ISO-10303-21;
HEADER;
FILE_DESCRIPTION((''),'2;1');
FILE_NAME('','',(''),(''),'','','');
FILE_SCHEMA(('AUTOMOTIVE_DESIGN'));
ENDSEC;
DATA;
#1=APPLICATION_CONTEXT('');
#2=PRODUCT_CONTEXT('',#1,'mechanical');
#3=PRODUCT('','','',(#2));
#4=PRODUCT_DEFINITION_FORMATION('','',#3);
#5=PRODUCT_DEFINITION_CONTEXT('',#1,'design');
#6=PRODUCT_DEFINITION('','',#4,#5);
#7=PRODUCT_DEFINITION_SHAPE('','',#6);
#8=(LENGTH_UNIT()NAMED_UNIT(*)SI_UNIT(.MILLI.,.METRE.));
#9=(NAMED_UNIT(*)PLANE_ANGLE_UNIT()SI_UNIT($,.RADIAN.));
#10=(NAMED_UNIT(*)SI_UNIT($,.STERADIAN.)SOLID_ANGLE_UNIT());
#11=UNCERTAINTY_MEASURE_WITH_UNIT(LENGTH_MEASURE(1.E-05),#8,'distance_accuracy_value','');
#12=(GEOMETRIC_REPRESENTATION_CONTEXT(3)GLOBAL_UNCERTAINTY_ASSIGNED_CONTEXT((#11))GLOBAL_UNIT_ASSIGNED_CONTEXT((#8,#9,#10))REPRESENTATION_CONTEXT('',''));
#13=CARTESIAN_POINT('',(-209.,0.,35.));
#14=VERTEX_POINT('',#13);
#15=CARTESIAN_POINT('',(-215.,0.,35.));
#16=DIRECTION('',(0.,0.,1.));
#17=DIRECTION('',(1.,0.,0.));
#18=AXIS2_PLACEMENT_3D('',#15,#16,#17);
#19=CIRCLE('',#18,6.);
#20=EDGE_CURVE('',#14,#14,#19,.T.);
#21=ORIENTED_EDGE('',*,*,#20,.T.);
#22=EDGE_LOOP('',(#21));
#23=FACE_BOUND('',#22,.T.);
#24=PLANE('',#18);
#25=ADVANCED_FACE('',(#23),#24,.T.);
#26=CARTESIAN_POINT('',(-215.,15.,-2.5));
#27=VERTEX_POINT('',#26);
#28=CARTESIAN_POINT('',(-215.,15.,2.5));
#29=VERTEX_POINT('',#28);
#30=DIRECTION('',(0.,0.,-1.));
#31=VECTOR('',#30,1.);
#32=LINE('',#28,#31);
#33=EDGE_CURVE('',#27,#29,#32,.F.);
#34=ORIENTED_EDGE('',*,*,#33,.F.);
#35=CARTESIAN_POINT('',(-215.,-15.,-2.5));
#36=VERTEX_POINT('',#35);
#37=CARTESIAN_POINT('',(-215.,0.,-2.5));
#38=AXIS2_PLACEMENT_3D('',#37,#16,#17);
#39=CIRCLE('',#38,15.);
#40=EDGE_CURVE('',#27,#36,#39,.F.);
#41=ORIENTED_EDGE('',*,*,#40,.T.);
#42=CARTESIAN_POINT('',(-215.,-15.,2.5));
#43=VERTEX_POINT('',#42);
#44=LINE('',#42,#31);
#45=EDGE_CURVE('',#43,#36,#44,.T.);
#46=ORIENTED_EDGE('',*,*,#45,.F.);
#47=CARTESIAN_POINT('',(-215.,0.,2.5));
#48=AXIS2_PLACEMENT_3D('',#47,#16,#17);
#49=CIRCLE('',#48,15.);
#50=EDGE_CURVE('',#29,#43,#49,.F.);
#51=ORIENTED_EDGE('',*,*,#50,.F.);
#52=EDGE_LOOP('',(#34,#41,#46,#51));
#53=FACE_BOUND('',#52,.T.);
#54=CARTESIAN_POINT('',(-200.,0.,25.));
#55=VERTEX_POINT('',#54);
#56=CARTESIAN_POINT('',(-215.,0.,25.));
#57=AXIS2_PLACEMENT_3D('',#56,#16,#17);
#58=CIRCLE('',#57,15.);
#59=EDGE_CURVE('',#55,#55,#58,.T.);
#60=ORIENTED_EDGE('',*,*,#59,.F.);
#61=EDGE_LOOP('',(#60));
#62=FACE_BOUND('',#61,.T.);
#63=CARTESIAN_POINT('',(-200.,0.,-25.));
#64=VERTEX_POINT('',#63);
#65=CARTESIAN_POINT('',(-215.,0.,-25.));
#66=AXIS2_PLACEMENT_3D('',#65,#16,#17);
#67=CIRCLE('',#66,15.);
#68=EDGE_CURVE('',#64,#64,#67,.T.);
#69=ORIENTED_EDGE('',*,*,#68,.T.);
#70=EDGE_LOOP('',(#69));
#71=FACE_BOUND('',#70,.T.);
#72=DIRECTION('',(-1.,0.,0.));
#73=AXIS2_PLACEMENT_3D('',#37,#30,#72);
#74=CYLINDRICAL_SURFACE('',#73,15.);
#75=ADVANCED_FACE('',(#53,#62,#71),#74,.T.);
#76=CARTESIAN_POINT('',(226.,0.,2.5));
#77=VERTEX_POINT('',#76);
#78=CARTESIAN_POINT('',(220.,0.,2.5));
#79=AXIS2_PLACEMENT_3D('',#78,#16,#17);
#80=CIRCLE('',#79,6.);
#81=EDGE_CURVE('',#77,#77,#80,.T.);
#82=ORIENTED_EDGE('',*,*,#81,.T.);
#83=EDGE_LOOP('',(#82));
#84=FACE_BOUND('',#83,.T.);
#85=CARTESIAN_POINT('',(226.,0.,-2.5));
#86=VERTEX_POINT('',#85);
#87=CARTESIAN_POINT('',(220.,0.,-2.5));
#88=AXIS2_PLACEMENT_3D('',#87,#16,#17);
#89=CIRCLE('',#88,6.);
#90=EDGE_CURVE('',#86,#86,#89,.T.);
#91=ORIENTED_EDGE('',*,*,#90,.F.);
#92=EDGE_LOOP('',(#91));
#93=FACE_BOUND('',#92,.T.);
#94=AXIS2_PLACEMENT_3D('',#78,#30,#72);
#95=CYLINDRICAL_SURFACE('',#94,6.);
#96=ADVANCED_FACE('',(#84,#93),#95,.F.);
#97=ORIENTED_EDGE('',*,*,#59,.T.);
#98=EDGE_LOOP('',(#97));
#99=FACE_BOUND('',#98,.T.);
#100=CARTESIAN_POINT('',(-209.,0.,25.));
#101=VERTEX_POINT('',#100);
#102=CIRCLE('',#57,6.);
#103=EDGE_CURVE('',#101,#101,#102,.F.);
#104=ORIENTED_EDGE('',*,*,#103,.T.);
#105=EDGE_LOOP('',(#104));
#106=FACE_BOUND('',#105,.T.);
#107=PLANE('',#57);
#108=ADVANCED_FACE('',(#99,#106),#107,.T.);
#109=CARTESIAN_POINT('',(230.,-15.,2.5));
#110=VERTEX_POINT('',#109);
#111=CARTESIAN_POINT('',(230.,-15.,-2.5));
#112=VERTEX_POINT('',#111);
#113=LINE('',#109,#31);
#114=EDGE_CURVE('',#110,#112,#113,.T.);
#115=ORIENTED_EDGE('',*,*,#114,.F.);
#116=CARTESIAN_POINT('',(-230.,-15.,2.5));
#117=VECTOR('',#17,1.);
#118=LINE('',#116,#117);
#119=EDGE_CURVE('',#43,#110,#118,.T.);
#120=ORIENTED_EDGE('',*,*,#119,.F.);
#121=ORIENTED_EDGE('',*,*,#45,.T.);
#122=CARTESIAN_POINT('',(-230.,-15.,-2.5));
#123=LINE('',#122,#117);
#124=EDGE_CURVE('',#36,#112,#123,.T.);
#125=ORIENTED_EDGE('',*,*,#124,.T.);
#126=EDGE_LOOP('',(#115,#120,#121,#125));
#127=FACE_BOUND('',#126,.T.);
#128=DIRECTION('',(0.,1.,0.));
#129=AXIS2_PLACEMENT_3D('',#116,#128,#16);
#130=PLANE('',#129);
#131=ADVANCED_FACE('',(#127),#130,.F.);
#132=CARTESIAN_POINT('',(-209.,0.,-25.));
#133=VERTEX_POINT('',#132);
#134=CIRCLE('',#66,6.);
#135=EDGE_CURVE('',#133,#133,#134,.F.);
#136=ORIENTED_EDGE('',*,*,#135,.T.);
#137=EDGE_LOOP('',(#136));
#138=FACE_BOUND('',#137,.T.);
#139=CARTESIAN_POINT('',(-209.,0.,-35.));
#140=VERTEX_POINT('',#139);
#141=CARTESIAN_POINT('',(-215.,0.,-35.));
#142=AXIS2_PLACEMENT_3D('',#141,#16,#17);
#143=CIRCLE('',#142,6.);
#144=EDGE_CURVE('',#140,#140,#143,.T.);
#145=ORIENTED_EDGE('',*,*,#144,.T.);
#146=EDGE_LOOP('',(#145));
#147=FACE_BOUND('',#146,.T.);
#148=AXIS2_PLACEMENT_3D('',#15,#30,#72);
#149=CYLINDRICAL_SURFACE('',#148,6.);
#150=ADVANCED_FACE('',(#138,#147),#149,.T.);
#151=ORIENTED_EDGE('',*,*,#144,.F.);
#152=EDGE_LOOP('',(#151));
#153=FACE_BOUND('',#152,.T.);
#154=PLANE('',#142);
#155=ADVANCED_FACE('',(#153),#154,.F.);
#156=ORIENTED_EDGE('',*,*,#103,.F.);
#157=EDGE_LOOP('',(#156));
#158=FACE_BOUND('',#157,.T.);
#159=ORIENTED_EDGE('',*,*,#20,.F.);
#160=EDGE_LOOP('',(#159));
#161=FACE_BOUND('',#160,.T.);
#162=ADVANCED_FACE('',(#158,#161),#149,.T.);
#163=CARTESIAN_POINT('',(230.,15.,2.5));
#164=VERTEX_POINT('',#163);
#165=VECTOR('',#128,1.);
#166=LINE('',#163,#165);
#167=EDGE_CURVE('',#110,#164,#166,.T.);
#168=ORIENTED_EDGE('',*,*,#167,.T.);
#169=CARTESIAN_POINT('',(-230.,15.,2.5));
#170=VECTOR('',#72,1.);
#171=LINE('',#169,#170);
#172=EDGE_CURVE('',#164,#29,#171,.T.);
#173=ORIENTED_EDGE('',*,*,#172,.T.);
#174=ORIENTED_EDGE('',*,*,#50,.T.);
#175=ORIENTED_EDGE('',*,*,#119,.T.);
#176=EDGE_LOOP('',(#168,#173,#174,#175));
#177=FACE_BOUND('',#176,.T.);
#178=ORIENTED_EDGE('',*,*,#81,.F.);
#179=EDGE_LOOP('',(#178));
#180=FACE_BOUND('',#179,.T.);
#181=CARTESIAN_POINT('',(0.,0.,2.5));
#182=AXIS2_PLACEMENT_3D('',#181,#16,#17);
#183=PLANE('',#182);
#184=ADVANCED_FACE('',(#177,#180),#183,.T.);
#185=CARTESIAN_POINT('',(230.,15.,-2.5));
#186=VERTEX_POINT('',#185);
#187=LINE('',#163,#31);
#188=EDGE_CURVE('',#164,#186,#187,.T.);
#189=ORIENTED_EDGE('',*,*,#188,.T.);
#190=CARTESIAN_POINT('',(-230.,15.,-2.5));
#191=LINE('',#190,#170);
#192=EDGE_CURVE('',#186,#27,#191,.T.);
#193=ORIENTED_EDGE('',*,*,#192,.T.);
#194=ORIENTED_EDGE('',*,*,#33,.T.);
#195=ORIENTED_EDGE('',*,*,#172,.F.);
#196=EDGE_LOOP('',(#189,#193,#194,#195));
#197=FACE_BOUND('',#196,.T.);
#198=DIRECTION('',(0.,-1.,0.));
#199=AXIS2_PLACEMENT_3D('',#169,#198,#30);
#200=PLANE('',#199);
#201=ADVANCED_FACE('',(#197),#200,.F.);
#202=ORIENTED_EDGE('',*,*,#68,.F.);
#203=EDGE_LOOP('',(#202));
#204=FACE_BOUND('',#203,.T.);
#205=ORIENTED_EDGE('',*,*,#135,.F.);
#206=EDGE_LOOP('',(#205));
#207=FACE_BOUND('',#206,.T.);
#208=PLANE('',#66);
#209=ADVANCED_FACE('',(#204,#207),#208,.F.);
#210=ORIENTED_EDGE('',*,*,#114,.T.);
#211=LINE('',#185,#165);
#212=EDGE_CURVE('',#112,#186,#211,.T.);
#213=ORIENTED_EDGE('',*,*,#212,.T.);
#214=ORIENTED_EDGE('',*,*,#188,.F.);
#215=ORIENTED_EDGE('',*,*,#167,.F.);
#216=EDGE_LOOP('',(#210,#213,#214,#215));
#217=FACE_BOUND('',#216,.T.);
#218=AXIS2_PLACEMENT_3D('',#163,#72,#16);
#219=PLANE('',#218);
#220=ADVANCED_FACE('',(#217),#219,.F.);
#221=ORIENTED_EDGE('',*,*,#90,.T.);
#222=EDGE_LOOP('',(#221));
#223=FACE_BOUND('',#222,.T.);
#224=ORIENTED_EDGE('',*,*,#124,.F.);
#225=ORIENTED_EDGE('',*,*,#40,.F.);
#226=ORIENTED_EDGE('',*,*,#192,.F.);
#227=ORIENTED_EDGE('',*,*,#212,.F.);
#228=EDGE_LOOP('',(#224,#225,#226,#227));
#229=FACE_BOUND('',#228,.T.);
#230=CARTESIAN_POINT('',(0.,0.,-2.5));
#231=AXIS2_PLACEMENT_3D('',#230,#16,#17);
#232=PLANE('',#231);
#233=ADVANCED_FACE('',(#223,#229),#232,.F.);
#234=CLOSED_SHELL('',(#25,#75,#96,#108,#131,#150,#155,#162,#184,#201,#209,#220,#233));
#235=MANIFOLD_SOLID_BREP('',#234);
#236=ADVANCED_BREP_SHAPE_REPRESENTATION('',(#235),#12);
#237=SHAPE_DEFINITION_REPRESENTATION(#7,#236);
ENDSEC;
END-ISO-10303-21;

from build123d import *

# Parameters (mm, degrees)
SKETCH_1_W      = 460
SKETCH_1_H      = 30
SKETCH_1_R      = 6
EXTRUDE_1_DEPTH = 2.5
FILLET_1_RADIUS = 15
FILLET_1_LENGTH = 5
SKETCH_3_R      = 15
EXTRUDE_2_DEPTH = 25
SKETCH_4_R      = 6
EXTRUDE_3_DEPTH = 35


with BuildPart() as part:
    # 草图1 → 凸台-拉伸1 (new, symmetric)
    with BuildSketch(Plane.XY):
        Rectangle(SKETCH_1_W, SKETCH_1_H)
        with Locations((-220, 0)):
            Circle(SKETCH_1_R, mode=Mode.SUBTRACT)
        with Locations((220, 0)):
            Circle(SKETCH_1_R, mode=Mode.SUBTRACT)
    extrude(amount=EXTRUDE_1_DEPTH, both=True)

    # 圆角1: full round fillet: the end face becomes a half cylinder, R = half its width
    fillet_1_face = Plane((-230, 0, 0), x_dir=(0, 0, 1), z_dir=(-1, 0, 0))  # on the end face: x along it, z out of the body
    fillet_1_slab = fillet_1_face.offset(-FILLET_1_RADIUS / 2) * Box(FILLET_1_LENGTH, 2 * FILLET_1_RADIUS, FILLET_1_RADIUS, mode=Mode.PRIVATE)  # the body's end, R deep
    fillet_1_round = Plane((-215, 0, 0), x_dir=(-1, 0, 0), z_dir=(0, 0, 1)) * Cylinder(FILLET_1_RADIUS, FILLET_1_LENGTH, mode=Mode.PRIVATE)  # its axis R under the face
    add(fillet_1_slab - fillet_1_round, mode=Mode.SUBTRACT)

    # 草图3 → 凸台-拉伸2 (add, symmetric)
    with BuildSketch(Plane.XY):
        with Locations((-215, 0)):
            Circle(SKETCH_3_R)
    extrude(amount=EXTRUDE_2_DEPTH, both=True)

    # 草图4 → 凸台-拉伸3 (add, symmetric)
    with BuildSketch(Plane.XY):
        with Locations((-215, 0)):
            Circle(SKETCH_4_R)
    extrude(amount=EXTRUDE_3_DEPTH, both=True)


solid = part.part
